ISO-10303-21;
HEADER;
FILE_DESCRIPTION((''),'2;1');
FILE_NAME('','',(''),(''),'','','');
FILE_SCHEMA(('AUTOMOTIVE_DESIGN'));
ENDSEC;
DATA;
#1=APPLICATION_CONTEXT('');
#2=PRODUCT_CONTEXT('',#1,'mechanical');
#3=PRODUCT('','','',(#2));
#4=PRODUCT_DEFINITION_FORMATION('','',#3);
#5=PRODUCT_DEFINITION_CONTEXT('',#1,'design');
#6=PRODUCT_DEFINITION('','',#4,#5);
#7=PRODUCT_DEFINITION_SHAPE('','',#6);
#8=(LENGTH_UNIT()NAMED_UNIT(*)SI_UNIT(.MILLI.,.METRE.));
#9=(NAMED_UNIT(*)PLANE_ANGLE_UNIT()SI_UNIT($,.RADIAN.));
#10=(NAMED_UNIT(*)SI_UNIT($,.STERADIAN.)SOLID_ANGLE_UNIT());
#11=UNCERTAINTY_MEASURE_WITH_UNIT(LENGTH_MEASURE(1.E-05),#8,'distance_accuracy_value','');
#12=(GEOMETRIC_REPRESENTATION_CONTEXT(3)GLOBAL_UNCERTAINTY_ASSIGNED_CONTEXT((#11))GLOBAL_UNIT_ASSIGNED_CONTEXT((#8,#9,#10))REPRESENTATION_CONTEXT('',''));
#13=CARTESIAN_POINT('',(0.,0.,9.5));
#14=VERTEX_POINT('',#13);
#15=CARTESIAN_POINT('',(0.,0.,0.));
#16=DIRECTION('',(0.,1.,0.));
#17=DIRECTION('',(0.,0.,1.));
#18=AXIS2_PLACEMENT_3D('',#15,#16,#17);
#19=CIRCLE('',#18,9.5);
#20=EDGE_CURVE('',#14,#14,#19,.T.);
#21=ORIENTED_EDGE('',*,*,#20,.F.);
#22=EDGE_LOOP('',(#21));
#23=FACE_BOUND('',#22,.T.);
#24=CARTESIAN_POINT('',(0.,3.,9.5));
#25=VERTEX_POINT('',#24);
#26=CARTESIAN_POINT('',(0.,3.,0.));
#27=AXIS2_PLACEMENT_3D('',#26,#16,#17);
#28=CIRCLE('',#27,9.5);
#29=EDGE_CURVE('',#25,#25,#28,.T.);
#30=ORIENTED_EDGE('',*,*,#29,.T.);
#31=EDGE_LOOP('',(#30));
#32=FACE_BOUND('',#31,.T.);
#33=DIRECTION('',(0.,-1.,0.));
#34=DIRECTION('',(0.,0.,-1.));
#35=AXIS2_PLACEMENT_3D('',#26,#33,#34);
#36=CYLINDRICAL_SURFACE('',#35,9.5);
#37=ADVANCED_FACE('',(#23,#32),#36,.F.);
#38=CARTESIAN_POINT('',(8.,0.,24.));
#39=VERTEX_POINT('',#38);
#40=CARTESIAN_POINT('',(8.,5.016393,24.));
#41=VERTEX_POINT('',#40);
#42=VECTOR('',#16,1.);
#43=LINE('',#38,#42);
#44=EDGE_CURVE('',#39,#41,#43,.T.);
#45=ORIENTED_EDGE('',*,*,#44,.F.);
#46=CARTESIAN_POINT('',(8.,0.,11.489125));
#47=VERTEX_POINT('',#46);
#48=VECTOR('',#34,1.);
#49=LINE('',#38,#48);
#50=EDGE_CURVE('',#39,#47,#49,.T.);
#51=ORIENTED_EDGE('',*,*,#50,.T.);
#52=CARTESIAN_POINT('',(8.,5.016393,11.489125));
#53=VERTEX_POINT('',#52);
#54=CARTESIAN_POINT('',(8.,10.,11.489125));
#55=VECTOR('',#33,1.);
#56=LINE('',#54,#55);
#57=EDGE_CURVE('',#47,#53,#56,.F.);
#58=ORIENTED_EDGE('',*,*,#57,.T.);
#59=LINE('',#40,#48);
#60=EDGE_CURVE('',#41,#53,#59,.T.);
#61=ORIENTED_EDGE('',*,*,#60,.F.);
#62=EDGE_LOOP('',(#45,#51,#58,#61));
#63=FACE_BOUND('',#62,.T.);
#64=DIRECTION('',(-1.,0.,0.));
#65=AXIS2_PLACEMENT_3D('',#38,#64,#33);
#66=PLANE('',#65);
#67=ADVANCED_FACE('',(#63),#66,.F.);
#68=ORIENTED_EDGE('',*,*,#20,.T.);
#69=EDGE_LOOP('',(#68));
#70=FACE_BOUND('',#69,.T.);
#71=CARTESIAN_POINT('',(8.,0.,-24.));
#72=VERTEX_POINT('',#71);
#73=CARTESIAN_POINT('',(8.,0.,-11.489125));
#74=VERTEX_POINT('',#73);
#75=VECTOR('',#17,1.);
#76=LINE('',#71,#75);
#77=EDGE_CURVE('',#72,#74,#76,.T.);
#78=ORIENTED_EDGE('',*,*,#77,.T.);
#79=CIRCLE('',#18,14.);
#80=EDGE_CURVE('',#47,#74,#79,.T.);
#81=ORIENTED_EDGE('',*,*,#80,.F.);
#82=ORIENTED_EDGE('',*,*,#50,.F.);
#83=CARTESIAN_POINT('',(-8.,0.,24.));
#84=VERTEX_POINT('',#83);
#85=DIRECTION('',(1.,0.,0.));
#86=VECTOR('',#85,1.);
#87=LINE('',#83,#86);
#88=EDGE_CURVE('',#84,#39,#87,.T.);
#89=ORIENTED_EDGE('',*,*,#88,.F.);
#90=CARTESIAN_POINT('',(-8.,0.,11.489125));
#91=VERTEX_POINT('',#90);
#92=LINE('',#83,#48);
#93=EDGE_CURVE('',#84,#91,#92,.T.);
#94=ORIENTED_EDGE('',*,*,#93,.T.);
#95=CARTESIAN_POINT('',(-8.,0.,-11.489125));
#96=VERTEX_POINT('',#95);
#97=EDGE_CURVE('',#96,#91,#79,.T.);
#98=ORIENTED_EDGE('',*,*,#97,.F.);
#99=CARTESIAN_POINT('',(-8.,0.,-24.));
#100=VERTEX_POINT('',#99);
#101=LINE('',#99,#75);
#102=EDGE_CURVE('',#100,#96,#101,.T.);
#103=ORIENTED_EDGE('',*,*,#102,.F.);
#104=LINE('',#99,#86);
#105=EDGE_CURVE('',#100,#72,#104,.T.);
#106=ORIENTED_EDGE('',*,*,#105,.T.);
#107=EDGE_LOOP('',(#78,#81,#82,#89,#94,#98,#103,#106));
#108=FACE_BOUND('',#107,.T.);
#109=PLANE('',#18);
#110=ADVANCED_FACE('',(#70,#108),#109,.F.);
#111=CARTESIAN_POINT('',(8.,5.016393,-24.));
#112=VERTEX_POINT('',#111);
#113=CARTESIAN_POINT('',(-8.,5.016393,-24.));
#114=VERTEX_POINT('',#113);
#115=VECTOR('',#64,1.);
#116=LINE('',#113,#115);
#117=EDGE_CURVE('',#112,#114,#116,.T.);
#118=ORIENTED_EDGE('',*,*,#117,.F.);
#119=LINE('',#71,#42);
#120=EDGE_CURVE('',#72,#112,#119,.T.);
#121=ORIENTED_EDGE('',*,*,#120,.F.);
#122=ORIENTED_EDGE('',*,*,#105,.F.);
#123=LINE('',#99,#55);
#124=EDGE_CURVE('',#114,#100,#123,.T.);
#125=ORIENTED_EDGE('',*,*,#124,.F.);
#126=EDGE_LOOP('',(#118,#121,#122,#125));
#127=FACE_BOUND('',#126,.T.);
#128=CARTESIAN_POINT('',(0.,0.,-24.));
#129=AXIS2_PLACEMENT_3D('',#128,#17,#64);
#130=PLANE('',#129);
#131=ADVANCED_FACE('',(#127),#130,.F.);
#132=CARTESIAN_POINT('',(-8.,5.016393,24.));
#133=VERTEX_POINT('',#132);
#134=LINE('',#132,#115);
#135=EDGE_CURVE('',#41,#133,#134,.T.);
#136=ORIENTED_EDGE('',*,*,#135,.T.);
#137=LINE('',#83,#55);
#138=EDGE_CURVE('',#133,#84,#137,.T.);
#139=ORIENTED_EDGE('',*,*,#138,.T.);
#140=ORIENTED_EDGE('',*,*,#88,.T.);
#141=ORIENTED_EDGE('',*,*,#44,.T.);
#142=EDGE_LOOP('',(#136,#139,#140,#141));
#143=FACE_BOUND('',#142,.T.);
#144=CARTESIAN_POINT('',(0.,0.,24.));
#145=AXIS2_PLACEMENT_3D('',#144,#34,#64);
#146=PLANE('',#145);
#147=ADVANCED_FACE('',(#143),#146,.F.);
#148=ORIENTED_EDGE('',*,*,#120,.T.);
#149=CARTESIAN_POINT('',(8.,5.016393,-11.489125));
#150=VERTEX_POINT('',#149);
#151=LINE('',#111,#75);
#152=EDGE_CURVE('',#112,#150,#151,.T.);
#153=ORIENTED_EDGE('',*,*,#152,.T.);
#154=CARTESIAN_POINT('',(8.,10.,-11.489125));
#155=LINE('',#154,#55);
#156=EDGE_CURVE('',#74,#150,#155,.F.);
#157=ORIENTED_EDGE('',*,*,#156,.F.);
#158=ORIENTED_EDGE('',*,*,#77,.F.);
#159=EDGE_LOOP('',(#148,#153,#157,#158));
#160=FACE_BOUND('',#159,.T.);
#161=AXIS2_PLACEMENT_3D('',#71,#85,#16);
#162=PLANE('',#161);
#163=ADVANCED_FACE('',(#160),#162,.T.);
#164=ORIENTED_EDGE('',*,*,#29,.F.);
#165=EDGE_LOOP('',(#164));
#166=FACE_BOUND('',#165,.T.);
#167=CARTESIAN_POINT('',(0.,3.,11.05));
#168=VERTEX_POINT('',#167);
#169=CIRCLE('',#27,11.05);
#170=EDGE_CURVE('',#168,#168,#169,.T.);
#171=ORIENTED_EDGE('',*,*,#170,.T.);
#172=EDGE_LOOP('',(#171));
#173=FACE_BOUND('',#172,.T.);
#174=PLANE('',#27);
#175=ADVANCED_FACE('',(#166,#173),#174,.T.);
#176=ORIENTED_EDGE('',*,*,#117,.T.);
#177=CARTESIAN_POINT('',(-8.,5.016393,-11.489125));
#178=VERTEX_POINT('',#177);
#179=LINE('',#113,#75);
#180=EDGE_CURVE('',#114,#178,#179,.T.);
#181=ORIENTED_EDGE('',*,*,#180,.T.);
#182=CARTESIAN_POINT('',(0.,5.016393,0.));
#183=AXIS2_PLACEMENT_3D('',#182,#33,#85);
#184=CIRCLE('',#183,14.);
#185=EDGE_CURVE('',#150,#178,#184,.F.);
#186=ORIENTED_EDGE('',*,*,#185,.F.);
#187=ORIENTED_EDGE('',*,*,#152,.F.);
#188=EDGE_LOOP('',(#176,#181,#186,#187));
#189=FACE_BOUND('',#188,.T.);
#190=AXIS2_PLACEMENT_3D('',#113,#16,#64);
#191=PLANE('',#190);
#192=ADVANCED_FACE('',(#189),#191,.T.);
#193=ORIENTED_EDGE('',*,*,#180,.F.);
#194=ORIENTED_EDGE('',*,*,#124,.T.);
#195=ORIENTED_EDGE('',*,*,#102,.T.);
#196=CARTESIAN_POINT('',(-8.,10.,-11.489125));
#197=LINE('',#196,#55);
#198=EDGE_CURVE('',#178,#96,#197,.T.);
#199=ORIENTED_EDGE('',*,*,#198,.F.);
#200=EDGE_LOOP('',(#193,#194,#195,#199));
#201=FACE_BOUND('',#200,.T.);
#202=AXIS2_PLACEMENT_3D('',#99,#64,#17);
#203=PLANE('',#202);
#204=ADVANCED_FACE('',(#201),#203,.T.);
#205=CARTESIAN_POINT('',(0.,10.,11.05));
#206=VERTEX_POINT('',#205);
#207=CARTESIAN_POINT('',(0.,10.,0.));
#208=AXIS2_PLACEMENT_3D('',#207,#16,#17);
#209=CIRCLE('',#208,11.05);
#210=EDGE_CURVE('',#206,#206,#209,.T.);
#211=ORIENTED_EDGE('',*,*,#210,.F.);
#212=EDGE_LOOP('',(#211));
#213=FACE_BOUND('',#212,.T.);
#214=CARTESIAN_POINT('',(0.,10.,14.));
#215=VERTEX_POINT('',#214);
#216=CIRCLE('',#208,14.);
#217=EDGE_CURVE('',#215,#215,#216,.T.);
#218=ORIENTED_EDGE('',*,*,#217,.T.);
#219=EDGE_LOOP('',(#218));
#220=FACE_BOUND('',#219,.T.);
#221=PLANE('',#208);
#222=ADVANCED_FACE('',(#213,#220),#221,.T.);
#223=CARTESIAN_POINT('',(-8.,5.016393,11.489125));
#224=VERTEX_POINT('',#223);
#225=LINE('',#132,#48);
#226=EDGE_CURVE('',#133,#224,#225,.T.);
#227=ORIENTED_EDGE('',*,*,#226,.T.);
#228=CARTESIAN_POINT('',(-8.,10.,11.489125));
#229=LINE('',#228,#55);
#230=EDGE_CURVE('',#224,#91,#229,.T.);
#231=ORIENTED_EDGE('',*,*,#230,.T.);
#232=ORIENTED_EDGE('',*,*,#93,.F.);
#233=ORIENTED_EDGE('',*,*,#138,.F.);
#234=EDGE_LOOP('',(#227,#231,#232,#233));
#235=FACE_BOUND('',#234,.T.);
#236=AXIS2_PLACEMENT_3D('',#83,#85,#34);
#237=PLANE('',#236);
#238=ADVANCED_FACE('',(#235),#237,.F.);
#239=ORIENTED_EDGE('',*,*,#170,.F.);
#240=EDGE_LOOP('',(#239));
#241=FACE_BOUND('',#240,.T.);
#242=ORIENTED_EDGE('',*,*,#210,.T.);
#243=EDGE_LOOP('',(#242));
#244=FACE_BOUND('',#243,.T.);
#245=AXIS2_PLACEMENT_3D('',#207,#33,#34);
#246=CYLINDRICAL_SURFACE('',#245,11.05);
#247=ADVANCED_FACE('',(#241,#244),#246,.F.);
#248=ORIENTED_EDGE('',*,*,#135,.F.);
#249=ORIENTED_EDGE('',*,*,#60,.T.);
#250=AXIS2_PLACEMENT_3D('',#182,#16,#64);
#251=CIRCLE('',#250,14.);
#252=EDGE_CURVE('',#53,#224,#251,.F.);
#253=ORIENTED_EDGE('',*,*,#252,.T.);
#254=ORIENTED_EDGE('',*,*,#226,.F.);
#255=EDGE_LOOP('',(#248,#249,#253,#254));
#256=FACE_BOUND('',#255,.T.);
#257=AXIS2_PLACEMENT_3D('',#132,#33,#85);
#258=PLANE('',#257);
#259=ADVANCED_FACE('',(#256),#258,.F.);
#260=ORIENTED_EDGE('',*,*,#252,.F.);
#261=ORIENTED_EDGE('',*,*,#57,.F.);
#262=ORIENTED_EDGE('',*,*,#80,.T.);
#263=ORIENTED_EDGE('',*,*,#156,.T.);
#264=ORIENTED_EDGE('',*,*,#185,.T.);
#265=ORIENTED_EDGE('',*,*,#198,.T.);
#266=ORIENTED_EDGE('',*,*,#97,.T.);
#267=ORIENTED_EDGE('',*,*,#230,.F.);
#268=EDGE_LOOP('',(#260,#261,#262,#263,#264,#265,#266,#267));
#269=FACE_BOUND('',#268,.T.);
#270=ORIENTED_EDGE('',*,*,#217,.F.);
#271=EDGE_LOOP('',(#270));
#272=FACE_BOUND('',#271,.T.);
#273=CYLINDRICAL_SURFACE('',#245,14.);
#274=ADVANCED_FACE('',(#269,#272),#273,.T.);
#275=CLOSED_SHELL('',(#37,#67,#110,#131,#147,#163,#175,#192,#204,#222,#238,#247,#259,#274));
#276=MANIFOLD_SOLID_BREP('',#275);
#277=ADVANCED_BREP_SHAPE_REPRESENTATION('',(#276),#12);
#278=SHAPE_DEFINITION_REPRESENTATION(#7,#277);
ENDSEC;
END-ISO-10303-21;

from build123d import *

# Parameters (mm, degrees)
SKETCH1_R           = 14
SKETCH1_R_2         = 11.05
BOSS_EXTRUDE1_DEPTH = 10
SKETCH1_3_R         = 11.05
SKETCH1_3_R_2       = 9.5
BOSS_EXTRUDE2_DEPTH = 3
BOSS_EXTRUDE3_START = -2.510875
SKETCH4_W           = 16
SKETCH4_H           = 5.016393312
BOSS_EXTRUDE3_DEPTH = 12.510875


with BuildPart() as part:
    # Sketch1 → Boss-Extrude1 (new body)
    with BuildSketch(Plane(origin=(0, 0, 0), x_dir=(1, 0, 0), z_dir=(0, 1, 0))):
        Circle(SKETCH1_R)
        Circle(SKETCH1_R_2, mode=Mode.SUBTRACT)
    extrude(amount=BOSS_EXTRUDE1_DEPTH)

    # Sketch1<3> → Boss-Extrude2 (add)
    with BuildSketch(Plane(origin=(0, 0, 0), x_dir=(1, 0, 0), z_dir=(0, 1, 0))):
        Circle(SKETCH1_3_R)
        Circle(SKETCH1_3_R_2, mode=Mode.SUBTRACT)
    extrude(amount=BOSS_EXTRUDE2_DEPTH)

    # Sketch4 → Boss-Extrude3 (add)
    with BuildSketch(Plane.XY.offset(14).offset(BOSS_EXTRUDE3_START)):
        with Locations((0, 2.508196656)):
            Rectangle(SKETCH4_W, SKETCH4_H)
    boss_extrude3 = extrude(amount=BOSS_EXTRUDE3_DEPTH)

    # Mirror1: Boss-Extrude3 across plane
    add(boss_extrude3.mirror(Plane.XY))


solid = part.part
